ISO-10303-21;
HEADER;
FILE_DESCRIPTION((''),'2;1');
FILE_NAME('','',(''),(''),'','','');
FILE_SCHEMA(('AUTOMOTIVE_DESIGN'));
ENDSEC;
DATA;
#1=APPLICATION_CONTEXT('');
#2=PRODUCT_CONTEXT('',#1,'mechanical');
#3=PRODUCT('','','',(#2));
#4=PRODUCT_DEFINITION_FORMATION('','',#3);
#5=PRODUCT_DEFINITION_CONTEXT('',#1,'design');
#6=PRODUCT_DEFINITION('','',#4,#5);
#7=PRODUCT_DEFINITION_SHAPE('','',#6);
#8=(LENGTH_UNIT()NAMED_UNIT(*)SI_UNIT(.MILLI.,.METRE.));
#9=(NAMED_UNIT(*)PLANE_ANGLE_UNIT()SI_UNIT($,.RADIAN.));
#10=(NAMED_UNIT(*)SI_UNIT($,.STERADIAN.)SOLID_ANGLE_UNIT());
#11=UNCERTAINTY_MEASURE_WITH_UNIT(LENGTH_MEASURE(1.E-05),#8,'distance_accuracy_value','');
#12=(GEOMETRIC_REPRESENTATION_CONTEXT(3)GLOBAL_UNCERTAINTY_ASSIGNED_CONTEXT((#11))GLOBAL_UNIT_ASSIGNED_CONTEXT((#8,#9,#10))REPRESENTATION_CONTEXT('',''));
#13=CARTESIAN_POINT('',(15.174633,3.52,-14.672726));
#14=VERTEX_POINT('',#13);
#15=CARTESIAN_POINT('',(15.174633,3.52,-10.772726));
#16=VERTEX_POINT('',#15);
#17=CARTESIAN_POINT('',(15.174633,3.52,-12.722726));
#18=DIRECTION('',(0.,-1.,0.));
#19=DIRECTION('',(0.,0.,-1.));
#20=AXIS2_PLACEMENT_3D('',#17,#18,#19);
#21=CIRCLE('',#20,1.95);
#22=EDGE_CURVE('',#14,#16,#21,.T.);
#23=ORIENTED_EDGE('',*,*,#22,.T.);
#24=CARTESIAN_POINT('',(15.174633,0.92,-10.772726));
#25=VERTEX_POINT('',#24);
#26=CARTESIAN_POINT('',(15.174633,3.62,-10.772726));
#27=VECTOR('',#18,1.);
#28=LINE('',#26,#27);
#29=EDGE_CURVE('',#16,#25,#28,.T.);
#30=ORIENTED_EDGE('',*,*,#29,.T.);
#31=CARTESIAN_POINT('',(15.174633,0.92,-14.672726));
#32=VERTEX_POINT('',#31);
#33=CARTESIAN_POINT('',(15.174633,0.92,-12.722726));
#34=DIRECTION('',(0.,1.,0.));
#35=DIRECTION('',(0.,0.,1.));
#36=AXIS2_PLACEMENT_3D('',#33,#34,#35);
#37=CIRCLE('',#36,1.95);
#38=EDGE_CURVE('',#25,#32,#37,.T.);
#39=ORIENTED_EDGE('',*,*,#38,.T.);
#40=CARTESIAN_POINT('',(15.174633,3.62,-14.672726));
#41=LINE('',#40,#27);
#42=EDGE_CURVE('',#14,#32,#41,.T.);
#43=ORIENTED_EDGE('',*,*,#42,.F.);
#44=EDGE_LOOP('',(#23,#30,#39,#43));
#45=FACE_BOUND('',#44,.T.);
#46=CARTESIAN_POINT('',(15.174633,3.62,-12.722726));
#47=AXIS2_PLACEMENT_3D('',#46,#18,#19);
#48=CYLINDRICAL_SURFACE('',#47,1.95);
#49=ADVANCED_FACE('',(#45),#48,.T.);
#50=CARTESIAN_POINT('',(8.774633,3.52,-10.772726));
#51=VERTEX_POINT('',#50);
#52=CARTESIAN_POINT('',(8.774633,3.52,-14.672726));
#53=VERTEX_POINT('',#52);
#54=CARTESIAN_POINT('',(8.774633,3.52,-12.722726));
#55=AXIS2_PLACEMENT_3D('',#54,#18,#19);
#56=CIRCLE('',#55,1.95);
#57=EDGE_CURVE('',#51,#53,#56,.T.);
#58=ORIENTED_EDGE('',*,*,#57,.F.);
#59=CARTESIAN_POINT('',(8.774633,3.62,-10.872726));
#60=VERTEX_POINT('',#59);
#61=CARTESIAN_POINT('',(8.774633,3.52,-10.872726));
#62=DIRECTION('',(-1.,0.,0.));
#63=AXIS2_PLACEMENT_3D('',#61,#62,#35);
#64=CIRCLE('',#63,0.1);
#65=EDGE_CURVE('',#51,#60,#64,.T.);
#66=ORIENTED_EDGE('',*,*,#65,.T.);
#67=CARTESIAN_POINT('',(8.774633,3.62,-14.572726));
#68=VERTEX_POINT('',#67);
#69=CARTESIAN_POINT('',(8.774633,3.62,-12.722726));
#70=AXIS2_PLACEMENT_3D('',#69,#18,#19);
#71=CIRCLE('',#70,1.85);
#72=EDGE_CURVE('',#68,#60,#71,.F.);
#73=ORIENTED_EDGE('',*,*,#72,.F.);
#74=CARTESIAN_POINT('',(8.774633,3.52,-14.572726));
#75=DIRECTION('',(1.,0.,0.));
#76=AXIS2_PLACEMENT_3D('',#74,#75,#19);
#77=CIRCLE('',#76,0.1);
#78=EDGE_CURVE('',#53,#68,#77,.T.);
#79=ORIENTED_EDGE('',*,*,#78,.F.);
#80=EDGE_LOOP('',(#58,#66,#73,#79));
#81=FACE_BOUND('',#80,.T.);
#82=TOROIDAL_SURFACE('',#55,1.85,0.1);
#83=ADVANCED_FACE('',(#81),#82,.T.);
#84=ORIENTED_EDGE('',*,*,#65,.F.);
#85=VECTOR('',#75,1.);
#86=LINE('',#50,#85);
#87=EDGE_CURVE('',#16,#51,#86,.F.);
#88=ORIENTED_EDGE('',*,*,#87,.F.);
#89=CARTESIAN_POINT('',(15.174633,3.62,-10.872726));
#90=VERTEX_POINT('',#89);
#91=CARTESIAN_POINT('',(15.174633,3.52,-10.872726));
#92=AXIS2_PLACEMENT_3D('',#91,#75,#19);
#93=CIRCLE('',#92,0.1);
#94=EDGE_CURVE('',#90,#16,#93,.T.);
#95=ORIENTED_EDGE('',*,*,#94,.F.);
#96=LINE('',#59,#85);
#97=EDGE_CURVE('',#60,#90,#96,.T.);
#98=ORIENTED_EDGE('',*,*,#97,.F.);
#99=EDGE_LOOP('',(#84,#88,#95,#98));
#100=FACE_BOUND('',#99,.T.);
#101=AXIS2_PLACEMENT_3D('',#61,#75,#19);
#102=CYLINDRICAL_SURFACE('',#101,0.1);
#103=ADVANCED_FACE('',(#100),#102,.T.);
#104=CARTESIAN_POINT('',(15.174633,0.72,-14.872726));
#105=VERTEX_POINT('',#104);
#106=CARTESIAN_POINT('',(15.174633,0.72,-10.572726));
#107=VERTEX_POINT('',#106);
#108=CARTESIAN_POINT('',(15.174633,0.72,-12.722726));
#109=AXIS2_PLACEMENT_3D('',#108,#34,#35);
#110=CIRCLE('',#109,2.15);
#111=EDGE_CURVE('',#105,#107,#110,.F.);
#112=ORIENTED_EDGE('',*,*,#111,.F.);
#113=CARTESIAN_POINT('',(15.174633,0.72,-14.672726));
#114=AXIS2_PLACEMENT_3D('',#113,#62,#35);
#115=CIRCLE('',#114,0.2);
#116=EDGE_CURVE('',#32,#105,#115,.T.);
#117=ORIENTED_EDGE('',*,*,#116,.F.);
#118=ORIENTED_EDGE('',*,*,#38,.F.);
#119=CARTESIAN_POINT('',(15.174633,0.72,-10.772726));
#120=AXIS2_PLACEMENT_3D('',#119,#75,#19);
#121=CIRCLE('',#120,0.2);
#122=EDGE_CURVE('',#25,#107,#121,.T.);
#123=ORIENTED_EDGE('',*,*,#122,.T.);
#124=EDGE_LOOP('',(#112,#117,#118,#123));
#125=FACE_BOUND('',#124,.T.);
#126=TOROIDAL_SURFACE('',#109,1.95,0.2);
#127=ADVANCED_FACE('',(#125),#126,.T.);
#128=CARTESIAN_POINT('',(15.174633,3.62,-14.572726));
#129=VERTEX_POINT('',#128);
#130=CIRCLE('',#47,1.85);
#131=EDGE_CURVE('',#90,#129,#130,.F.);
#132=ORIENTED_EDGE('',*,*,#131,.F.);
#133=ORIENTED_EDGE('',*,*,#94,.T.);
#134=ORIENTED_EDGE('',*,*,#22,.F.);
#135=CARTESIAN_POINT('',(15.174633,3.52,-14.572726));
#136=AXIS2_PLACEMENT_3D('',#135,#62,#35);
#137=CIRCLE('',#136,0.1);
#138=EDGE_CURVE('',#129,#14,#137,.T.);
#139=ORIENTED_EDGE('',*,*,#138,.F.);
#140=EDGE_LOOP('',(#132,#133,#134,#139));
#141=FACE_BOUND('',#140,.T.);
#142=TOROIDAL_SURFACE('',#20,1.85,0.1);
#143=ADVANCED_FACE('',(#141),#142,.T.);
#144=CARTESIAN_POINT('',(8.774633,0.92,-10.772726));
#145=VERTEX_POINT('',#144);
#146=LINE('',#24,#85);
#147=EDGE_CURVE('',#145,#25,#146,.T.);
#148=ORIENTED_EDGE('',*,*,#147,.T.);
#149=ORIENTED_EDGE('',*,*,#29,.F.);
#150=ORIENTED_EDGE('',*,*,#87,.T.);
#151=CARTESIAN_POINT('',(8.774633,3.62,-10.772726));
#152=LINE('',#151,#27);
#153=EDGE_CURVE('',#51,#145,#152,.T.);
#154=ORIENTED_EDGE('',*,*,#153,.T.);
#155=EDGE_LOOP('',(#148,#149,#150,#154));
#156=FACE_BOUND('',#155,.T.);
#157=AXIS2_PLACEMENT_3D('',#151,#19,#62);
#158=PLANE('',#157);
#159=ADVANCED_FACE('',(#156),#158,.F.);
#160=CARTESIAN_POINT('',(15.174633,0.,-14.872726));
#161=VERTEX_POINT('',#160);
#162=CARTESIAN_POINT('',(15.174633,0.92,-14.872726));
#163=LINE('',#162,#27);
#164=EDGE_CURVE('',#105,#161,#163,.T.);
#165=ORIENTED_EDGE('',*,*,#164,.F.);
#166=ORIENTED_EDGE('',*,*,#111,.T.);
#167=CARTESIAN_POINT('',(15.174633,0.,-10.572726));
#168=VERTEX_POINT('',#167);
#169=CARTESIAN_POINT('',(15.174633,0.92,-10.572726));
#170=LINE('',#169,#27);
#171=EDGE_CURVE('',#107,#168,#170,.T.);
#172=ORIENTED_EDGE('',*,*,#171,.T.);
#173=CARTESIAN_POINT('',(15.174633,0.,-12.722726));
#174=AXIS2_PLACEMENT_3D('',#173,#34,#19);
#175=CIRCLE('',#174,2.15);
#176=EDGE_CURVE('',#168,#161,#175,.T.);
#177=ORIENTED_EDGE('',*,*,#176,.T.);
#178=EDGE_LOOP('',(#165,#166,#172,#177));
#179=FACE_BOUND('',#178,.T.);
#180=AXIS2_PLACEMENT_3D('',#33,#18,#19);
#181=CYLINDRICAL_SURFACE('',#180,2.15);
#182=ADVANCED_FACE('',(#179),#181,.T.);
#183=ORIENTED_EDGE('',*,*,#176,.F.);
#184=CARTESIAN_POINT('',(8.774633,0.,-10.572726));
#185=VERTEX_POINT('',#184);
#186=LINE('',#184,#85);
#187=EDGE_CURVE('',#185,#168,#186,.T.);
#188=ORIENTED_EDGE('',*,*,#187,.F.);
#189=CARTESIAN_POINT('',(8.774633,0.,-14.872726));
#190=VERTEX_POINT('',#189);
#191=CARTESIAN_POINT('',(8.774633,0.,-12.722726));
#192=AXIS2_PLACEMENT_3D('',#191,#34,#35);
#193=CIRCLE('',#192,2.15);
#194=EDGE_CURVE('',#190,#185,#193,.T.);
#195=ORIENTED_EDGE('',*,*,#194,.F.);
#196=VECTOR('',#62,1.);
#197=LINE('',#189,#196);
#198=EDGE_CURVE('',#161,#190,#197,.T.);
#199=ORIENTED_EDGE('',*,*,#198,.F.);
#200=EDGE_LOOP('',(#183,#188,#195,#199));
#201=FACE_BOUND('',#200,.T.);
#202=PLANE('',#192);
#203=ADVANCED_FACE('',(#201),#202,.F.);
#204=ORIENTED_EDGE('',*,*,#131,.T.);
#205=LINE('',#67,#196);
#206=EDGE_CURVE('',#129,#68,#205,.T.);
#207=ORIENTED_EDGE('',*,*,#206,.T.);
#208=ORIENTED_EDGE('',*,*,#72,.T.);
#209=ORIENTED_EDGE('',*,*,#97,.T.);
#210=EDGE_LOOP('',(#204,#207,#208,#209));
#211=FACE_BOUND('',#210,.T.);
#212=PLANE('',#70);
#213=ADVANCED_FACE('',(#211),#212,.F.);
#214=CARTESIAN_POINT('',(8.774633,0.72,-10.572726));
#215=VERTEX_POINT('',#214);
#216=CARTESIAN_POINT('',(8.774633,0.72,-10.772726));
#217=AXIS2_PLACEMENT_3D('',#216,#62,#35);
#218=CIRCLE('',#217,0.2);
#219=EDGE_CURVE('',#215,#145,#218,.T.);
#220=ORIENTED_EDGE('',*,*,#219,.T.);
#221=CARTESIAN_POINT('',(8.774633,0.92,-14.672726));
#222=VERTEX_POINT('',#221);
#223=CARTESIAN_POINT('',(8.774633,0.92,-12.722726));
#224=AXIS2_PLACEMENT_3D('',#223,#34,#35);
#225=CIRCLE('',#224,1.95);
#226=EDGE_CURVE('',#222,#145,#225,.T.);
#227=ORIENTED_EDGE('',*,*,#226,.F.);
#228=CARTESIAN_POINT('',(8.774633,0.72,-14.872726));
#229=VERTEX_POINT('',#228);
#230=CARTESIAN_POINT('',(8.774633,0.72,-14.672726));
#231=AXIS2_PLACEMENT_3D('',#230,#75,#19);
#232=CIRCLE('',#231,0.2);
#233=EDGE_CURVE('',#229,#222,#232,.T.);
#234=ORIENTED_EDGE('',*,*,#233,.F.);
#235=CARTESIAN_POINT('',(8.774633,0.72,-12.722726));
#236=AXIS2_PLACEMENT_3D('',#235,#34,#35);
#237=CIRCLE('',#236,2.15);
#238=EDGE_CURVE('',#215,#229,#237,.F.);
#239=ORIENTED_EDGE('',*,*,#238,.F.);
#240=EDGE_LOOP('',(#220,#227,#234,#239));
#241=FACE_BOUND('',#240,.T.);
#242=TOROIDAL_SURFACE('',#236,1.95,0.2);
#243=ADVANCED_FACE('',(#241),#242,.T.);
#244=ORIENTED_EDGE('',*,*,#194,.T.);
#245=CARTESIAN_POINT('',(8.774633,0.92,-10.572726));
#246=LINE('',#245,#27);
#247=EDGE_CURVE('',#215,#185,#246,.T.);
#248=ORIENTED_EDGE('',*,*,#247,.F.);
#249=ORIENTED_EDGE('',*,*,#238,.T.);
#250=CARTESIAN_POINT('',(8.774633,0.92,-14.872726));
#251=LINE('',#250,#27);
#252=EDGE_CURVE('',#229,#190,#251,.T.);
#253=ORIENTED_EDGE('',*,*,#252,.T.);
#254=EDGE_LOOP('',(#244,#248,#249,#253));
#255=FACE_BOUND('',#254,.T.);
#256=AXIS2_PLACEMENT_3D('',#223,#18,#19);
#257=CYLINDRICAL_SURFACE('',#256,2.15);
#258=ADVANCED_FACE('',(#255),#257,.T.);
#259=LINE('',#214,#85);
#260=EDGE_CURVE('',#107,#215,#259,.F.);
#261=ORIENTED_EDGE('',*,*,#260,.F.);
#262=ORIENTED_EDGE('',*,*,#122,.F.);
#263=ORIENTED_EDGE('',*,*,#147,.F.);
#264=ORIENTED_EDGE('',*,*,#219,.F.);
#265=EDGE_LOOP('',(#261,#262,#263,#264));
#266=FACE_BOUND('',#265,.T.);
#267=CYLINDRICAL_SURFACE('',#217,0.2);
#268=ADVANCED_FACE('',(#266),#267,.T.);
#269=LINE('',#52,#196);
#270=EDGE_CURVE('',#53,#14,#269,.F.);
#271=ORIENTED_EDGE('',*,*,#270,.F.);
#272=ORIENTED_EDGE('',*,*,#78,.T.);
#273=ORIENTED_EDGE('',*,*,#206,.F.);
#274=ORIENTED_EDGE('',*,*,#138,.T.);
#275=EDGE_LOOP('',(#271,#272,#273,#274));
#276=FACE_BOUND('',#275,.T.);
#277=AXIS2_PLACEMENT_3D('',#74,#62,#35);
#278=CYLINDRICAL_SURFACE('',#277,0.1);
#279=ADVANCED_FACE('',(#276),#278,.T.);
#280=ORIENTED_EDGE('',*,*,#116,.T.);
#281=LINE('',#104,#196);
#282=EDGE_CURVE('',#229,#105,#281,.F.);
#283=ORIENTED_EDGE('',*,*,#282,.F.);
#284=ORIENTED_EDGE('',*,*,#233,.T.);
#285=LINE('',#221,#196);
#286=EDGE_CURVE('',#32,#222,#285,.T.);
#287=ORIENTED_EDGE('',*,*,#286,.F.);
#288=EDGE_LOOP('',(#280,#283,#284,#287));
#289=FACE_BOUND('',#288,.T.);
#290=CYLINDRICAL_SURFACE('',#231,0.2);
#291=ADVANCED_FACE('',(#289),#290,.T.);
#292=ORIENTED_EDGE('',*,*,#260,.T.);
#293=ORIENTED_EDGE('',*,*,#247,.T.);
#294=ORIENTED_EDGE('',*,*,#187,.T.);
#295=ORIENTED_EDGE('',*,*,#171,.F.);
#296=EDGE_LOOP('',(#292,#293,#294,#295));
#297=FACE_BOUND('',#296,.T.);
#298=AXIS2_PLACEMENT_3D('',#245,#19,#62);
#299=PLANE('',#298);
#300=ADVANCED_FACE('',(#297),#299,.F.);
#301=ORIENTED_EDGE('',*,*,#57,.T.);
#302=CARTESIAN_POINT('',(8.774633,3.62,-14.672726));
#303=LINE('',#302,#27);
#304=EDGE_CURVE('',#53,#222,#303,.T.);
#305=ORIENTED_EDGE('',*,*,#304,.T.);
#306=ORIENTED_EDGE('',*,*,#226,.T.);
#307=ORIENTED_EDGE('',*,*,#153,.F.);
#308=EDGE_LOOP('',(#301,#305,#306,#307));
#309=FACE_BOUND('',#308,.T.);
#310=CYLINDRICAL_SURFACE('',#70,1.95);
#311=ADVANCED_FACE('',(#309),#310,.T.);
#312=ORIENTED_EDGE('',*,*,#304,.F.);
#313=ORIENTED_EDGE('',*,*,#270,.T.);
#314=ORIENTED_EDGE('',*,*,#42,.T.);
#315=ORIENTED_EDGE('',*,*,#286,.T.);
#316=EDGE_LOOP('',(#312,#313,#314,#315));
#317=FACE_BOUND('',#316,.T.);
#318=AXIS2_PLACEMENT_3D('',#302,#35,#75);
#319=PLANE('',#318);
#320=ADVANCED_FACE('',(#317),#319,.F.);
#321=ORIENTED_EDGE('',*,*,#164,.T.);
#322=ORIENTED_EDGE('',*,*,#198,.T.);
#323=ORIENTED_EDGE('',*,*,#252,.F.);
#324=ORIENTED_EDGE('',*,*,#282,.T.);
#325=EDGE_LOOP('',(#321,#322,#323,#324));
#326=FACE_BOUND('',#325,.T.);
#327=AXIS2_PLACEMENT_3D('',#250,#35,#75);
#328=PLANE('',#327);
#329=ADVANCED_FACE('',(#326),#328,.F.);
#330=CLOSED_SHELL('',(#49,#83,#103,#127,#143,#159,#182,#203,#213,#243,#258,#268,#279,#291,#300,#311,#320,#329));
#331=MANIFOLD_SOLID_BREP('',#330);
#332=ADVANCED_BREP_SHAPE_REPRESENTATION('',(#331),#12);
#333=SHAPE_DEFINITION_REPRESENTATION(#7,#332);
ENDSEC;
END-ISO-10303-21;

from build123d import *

# Parameters (mm, degrees)
BOSS_EXTRUDE1_DEPTH = 0.92
FILLET3_R           = 0.2
BOSS_EXTRUDE2_DEPTH = 2.7
FILLET4_R           = 0.1


with BuildPart() as part:
    # Sketch2 → Boss-Extrude1 (new body)
    with BuildSketch(Plane(origin=(0, 0, 0), x_dir=(1, 0, 0), z_dir=(0, 1, 0))):
        with BuildLine():
            Line((8.774632583, 14.872725815), (15.174632583, 14.872725815))
            ThreePointArc((15.174632583, 14.872725815), (17.324632583, 12.722725815), (15.174632583, 10.572725815))
            Line((15.174632583, 10.572725815), (8.774632583, 10.572725815))
            ThreePointArc((8.774632583, 10.572725815), (6.624632583, 12.722725815), (8.774632583, 14.872725815))
        make_face()
    extrude(amount=BOSS_EXTRUDE1_DEPTH)

    # Fillet3
    fillet3_edges = [part.edges().sort_by_distance(p)[0] for p in [
        (17.324632583, 0.92, -12.722725815),
        (11.974632583, 0.92, -14.872725815),
        (6.624632583, 0.92, -12.722725815),
        (11.974632583, 0.92, -10.572725815),
    ]]
    fillet(fillet3_edges, radius=FILLET3_R)

    # Sketch5 → Boss-Extrude2 (add)
    with BuildSketch(Plane(origin=(0, 0.92, 0), x_dir=(1, 0, 0), z_dir=(0, 1, 0))):
        with BuildLine():
            Line((8.774632583, 14.672725815), (15.174632583, 14.672725815))
            ThreePointArc((15.174632583, 14.672725815), (17.124632583, 12.722725815), (15.174632583, 10.772725815))
            Line((15.174632583, 10.772725815), (8.774632583, 10.772725815))
            ThreePointArc((8.774632583, 10.772725815), (6.824632583, 12.722725815), (8.774632583, 14.672725815))
        make_face()
    extrude(amount=BOSS_EXTRUDE2_DEPTH)

    # Fillet4
    fillet4_edges = [part.edges().sort_by_distance(p)[0] for p in [
        (6.824632583, 3.62, -12.722725815),
        (11.974632583, 3.62, -10.772725815),
        (17.124632583, 3.62, -12.722725815),
        (11.974632583, 3.62, -14.672725815),
    ]]
    fillet(fillet4_edges, radius=FILLET4_R)


solid = part.part
